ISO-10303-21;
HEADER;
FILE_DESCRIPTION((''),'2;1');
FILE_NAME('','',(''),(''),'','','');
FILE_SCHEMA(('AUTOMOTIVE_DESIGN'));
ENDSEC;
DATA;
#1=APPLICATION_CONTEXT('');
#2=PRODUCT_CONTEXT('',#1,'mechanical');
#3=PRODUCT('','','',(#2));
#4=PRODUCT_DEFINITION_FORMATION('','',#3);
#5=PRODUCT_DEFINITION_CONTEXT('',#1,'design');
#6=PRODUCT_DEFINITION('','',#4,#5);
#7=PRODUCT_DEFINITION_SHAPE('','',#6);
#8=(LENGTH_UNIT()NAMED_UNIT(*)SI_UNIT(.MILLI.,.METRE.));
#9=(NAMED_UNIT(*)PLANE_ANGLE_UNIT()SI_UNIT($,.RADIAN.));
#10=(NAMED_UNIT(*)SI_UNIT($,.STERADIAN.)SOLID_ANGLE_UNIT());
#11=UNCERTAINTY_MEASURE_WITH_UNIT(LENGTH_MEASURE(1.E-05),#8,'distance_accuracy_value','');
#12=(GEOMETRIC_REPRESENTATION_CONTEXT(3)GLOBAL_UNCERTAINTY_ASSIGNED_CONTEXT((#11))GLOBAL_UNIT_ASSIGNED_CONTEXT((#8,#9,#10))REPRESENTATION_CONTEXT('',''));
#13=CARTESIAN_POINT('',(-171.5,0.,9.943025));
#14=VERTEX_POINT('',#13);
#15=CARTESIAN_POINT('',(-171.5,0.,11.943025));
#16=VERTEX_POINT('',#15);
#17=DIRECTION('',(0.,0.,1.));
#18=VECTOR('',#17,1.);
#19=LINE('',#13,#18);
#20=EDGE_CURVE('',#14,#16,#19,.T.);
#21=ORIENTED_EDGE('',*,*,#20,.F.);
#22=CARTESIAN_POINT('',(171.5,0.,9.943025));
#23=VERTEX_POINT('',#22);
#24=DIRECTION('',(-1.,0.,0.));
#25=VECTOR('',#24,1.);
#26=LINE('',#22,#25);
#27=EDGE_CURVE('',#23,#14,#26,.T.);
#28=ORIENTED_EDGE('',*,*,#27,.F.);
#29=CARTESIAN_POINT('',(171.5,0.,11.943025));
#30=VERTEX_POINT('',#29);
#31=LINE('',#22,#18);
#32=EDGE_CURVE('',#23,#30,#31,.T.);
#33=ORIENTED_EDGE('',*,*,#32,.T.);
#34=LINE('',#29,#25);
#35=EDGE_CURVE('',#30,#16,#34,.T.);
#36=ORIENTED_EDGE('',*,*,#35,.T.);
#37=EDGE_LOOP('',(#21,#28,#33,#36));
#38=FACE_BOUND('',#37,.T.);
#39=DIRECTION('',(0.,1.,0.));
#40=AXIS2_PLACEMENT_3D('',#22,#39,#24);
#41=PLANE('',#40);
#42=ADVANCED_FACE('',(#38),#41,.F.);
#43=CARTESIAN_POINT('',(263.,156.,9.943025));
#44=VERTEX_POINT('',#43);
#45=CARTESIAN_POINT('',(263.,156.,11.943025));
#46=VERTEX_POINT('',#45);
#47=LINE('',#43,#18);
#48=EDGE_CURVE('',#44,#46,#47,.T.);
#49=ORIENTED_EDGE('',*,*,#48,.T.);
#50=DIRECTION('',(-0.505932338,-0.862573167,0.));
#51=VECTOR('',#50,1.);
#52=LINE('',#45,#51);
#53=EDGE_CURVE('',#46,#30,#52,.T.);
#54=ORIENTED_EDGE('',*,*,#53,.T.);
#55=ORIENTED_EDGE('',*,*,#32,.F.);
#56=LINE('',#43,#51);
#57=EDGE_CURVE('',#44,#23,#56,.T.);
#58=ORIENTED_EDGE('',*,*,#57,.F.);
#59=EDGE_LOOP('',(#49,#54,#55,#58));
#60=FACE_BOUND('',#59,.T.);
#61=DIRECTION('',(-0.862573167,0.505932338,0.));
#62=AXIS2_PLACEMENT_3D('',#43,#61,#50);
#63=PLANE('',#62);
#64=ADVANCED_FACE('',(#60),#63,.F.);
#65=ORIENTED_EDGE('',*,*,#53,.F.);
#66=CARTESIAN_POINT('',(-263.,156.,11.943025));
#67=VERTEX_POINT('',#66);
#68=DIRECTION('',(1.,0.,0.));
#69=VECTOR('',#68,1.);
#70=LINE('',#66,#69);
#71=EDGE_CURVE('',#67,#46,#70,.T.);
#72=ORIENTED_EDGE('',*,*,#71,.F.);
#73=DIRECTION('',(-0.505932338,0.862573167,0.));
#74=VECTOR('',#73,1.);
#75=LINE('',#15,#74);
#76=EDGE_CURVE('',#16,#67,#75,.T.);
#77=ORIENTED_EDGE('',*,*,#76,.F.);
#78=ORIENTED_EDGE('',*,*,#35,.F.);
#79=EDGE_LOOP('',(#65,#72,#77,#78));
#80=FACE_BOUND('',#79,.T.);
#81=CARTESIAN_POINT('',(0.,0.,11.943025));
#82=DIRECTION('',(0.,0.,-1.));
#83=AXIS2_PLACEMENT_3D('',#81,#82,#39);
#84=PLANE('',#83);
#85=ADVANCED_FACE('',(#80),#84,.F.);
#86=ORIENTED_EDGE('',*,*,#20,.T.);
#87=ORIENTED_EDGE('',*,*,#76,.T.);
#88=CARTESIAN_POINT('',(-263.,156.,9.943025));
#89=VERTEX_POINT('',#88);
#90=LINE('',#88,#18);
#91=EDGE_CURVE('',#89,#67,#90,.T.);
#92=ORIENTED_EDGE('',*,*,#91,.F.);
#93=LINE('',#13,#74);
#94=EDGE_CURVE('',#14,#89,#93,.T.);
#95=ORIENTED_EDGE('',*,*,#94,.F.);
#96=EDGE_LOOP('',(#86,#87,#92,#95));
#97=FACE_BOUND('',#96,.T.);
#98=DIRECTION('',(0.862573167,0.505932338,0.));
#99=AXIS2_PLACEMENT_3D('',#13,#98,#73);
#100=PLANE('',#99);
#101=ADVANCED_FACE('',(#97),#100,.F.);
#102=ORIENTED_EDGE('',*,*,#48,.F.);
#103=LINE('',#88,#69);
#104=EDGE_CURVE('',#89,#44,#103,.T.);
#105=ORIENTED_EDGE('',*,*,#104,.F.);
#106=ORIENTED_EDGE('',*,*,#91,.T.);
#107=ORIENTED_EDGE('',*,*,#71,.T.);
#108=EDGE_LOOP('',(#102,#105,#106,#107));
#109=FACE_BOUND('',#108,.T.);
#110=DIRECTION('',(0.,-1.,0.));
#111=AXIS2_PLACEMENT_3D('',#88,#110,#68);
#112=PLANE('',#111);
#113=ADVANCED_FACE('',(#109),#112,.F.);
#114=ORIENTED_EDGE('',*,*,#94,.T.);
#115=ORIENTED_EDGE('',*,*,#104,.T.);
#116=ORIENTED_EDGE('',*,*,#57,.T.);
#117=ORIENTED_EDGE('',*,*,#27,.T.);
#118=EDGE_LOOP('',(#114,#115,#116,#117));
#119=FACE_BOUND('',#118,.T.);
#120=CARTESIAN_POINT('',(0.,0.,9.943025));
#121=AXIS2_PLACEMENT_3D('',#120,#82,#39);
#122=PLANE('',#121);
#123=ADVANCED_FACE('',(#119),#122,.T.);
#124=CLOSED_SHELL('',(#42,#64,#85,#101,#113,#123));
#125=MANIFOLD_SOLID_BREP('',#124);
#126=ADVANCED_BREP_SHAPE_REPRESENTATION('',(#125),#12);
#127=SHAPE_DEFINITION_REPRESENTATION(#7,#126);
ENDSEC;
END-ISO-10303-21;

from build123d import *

# Parameters (mm, degrees)
BOSS_EXTRUDE1_DEPTH = 2


with BuildPart() as part:
    # Sketch1 → Boss-Extrude1 (new body)
    with BuildSketch(Plane(origin=(0, 0, 11.943025192), x_dir=(-1, 0, 0), z_dir=(0, 0, -1))):
        Polygon((-171.5, 0), (171.5, 0), (263, 156), (-263, 156), align=None)
    extrude(amount=BOSS_EXTRUDE1_DEPTH)


solid = part.part
